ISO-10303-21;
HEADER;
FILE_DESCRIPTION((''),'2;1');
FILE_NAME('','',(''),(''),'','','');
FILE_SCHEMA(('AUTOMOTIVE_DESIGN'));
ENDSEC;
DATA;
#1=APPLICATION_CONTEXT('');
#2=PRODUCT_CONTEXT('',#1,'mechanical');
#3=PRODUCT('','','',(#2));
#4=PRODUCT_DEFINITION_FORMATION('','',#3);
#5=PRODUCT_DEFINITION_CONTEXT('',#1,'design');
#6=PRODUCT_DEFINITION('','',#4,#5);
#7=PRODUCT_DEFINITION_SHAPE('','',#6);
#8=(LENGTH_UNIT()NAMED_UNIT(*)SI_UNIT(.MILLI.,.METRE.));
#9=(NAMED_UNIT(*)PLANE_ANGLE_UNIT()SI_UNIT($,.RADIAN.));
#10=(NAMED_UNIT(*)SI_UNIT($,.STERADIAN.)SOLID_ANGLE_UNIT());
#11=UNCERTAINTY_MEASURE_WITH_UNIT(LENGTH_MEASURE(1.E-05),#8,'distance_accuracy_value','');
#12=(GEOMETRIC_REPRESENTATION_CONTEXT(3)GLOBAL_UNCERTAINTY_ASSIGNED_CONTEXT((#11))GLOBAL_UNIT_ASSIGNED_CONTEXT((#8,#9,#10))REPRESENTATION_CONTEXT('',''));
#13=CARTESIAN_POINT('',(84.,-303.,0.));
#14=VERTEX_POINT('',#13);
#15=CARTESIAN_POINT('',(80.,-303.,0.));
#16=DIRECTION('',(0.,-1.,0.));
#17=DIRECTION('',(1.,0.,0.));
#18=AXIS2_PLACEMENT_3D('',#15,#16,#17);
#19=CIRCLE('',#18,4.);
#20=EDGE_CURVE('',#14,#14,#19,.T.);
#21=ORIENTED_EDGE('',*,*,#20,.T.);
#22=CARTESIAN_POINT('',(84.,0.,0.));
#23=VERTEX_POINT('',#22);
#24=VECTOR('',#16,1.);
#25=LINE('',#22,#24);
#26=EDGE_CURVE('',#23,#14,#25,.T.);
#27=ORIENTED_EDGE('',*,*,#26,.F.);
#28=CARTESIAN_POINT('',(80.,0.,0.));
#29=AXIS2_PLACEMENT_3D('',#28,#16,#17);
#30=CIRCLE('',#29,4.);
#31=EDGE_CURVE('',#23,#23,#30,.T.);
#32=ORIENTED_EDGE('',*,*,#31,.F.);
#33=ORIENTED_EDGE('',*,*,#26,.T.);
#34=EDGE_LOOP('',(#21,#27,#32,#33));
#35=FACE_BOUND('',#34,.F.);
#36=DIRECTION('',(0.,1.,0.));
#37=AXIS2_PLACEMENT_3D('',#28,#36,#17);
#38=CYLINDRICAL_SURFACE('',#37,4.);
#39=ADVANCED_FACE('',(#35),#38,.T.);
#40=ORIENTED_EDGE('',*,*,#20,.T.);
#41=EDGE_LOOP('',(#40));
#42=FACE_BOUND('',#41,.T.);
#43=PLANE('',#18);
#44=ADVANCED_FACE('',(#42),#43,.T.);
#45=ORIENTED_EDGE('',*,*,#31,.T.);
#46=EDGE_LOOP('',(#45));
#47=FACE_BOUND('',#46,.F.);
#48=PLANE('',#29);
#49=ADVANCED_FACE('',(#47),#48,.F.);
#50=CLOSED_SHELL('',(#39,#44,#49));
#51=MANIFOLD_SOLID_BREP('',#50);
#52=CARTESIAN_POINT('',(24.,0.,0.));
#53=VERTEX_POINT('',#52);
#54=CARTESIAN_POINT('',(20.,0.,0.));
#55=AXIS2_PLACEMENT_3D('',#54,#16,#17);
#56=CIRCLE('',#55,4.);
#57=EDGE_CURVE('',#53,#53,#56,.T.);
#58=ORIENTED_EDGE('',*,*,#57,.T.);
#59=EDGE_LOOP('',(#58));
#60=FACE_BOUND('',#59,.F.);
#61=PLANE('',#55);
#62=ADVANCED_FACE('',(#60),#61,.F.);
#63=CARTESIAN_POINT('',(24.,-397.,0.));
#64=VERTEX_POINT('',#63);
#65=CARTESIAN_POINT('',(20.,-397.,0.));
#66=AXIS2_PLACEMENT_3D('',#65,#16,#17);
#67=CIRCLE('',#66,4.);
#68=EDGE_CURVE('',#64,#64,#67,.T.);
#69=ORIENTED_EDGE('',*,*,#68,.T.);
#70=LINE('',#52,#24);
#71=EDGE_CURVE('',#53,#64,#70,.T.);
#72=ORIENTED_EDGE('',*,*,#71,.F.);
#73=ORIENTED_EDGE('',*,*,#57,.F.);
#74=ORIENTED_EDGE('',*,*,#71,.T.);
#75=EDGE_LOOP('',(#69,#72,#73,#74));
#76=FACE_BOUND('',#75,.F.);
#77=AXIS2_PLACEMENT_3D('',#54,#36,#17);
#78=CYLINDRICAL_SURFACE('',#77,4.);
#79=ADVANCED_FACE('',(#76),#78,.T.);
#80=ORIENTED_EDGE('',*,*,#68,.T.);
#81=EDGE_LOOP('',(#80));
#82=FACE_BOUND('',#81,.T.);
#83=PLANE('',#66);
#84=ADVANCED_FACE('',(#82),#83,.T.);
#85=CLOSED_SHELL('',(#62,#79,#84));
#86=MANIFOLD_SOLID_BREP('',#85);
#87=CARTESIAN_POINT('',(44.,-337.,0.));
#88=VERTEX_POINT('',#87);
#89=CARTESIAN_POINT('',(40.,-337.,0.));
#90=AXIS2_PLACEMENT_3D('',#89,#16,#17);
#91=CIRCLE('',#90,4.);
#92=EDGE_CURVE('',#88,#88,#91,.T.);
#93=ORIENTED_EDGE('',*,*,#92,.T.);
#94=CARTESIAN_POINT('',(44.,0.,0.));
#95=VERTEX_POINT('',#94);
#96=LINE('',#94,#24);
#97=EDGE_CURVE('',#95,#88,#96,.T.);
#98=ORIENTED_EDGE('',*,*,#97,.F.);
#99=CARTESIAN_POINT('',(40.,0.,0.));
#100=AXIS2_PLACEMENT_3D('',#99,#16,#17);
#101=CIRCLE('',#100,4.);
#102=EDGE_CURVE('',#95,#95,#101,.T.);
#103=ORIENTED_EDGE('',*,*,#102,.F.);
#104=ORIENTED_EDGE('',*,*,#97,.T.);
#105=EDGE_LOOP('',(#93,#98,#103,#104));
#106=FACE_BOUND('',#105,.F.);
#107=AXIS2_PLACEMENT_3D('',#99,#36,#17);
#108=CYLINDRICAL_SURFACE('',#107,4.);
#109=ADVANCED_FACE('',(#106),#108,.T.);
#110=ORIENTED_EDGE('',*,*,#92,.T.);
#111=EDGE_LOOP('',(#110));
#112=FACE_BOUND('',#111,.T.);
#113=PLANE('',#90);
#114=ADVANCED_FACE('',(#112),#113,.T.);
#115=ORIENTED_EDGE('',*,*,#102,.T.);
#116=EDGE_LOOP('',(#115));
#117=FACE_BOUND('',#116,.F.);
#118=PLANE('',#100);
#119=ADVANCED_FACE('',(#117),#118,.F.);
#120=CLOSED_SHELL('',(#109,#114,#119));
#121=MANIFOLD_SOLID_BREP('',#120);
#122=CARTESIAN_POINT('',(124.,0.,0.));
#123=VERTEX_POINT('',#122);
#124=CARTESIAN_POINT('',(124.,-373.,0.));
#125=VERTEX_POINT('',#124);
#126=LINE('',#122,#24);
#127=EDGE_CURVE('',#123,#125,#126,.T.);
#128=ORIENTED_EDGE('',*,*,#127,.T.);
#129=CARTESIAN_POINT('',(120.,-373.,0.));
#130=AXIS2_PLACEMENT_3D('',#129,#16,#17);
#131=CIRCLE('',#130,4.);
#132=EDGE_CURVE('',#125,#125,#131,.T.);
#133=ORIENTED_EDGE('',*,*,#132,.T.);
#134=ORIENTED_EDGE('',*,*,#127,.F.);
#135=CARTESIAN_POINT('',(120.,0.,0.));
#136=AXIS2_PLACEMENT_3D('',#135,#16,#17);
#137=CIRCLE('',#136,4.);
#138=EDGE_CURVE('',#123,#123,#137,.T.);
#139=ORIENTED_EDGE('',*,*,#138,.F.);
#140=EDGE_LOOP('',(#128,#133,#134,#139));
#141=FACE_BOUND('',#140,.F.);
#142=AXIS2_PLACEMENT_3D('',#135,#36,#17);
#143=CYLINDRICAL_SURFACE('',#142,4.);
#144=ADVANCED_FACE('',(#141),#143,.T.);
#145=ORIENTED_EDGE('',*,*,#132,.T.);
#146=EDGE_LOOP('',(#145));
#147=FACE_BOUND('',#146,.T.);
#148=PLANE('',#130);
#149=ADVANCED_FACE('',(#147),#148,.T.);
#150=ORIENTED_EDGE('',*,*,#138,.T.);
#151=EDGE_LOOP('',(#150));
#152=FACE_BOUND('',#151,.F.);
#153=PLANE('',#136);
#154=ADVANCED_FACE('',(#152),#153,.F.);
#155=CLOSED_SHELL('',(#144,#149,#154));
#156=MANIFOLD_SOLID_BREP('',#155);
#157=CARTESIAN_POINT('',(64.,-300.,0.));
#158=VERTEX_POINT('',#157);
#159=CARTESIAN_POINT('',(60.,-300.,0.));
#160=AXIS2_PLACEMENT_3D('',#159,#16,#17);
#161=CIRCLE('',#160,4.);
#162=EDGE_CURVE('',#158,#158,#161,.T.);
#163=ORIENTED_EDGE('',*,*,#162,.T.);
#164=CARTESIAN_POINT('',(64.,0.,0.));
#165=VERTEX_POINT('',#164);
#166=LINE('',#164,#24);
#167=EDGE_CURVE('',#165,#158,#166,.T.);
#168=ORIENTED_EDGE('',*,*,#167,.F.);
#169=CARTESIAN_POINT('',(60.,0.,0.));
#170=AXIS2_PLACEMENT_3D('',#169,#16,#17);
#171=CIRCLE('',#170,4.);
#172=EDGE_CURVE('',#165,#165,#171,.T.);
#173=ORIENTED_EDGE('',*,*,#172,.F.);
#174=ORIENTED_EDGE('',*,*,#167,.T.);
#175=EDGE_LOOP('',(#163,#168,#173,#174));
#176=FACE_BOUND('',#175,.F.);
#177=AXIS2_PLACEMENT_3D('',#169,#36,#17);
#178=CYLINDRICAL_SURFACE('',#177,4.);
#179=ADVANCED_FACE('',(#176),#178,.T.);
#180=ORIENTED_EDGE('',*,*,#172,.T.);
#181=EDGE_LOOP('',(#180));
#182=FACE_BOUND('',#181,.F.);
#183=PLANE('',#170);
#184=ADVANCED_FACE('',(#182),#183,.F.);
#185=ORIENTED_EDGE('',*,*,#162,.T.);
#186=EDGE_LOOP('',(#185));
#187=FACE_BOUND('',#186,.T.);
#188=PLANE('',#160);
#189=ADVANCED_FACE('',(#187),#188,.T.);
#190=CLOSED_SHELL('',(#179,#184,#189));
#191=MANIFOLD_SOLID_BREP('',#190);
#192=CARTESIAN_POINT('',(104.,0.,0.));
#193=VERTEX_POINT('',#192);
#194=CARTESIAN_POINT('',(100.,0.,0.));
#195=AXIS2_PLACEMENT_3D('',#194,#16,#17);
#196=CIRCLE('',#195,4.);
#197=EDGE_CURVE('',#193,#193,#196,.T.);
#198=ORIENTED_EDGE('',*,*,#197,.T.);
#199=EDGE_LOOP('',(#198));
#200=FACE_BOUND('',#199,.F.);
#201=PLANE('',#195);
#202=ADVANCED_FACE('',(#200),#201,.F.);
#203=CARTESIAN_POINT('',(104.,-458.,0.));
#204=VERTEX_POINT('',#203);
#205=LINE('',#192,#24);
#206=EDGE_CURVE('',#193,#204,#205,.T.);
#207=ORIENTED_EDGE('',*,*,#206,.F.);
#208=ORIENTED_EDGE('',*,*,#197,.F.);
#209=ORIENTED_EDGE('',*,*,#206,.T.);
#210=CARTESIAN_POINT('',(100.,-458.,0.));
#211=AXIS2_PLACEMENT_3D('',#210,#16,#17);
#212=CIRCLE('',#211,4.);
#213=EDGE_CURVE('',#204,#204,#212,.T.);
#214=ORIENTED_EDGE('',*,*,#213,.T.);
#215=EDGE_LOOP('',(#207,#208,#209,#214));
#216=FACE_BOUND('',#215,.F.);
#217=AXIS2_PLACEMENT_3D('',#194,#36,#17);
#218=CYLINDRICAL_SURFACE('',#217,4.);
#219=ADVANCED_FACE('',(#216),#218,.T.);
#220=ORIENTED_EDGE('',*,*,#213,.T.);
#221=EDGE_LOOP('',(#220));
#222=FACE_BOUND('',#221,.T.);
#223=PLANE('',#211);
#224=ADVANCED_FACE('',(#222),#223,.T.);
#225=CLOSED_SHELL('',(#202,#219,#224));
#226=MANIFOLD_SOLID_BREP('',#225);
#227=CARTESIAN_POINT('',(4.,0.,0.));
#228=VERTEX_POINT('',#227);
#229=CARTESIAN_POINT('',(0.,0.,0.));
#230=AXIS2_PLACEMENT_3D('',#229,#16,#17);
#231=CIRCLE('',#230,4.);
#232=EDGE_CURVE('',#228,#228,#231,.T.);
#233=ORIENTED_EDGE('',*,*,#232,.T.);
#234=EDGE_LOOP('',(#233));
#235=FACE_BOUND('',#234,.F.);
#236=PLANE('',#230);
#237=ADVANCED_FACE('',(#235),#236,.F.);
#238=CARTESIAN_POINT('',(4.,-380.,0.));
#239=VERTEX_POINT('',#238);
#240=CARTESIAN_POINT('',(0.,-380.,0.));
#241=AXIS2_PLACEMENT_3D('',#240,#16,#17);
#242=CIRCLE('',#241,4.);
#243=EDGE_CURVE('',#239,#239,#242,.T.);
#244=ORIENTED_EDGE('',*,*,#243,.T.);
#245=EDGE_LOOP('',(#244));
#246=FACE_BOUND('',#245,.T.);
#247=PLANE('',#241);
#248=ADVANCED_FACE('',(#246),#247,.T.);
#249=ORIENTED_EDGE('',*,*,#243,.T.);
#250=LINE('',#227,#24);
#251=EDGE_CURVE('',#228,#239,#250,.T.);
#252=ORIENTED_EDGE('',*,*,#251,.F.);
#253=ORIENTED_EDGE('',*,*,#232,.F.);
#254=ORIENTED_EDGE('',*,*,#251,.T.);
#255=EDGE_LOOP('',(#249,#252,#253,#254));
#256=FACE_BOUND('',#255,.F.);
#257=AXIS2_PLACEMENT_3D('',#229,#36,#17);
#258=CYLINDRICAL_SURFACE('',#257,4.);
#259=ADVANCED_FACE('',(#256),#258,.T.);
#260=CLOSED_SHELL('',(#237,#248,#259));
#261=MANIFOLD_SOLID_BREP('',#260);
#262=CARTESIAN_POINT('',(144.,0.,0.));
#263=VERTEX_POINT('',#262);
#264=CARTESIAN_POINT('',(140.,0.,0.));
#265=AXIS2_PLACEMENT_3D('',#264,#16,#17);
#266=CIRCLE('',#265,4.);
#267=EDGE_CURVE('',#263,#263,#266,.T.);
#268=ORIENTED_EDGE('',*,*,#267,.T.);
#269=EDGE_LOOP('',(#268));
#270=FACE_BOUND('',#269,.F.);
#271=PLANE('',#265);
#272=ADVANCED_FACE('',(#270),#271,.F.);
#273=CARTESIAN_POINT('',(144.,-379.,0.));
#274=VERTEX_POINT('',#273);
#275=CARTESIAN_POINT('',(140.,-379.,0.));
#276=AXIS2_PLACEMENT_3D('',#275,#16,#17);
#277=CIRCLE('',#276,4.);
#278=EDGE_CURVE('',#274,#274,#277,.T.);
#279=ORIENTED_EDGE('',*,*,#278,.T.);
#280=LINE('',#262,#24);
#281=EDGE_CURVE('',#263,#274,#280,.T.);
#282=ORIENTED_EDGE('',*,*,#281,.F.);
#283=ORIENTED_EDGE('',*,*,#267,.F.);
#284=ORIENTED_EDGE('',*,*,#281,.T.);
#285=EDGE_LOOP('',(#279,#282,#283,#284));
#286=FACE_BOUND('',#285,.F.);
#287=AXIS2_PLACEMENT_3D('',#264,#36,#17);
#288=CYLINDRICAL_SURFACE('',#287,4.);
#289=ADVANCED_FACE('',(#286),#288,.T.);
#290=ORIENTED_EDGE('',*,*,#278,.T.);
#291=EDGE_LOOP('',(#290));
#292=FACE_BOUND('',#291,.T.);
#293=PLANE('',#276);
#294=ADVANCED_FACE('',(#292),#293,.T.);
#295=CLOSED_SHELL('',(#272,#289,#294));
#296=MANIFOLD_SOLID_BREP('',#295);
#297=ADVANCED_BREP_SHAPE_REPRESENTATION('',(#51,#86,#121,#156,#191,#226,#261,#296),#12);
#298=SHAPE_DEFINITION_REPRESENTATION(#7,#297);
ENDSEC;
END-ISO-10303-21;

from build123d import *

# Parameters (mm, degrees)
F0_R     = 4
F1_DEPTH = 380
F2_DEPTH = 397
F3_DEPTH = 337
F4_DEPTH = 300
F5_DEPTH = 303
F6_DEPTH = 458
F7_DEPTH = 373
F8_DEPTH = 379


with BuildPart() as f1:
    # F0 (on Front) → F1 (new body)
    with BuildSketch(Plane.XZ):
        Circle(F0_R)
    extrude(amount=F1_DEPTH)


with BuildPart() as f2:
    # F0 (on Front) → F2 (new body)
    with BuildSketch(Plane.XZ):
        with Locations((20, 0)):
            Circle(F0_R)
    extrude(amount=F2_DEPTH)


with BuildPart() as f3:
    # F0 (on Front) → F3 (new body)
    with BuildSketch(Plane.XZ):
        with Locations((40, 0)):
            Circle(F0_R)
    extrude(amount=F3_DEPTH)


with BuildPart() as f4:
    # F0 (on Front) → F4 (new body)
    with BuildSketch(Plane.XZ):
        with Locations((60, 0)):
            Circle(F0_R)
    extrude(amount=F4_DEPTH)


with BuildPart() as f5:
    # F0 (on Front) → F5 (new body)
    with BuildSketch(Plane.XZ):
        with Locations((80, 0)):
            Circle(F0_R)
    extrude(amount=F5_DEPTH)


with BuildPart() as f6:
    # F0 (on Front) → F6 (new body)
    with BuildSketch(Plane.XZ):
        with Locations((100, 0)):
            Circle(F0_R)
    extrude(amount=F6_DEPTH)


with BuildPart() as f7:
    # F0 (on Front) → F7 (new body)
    with BuildSketch(Plane.XZ):
        with Locations((120, 0)):
            Circle(F0_R)
    extrude(amount=F7_DEPTH)


with BuildPart() as f8:
    # F0 (on Front) → F8 (new body)
    with BuildSketch(Plane.XZ):
        with Locations((140, 0)):
            Circle(F0_R)
    extrude(amount=F8_DEPTH)


solid = Compound([f1.part, f2.part, f3.part, f4.part, f5.part, f6.part, f7.part, f8.part])
